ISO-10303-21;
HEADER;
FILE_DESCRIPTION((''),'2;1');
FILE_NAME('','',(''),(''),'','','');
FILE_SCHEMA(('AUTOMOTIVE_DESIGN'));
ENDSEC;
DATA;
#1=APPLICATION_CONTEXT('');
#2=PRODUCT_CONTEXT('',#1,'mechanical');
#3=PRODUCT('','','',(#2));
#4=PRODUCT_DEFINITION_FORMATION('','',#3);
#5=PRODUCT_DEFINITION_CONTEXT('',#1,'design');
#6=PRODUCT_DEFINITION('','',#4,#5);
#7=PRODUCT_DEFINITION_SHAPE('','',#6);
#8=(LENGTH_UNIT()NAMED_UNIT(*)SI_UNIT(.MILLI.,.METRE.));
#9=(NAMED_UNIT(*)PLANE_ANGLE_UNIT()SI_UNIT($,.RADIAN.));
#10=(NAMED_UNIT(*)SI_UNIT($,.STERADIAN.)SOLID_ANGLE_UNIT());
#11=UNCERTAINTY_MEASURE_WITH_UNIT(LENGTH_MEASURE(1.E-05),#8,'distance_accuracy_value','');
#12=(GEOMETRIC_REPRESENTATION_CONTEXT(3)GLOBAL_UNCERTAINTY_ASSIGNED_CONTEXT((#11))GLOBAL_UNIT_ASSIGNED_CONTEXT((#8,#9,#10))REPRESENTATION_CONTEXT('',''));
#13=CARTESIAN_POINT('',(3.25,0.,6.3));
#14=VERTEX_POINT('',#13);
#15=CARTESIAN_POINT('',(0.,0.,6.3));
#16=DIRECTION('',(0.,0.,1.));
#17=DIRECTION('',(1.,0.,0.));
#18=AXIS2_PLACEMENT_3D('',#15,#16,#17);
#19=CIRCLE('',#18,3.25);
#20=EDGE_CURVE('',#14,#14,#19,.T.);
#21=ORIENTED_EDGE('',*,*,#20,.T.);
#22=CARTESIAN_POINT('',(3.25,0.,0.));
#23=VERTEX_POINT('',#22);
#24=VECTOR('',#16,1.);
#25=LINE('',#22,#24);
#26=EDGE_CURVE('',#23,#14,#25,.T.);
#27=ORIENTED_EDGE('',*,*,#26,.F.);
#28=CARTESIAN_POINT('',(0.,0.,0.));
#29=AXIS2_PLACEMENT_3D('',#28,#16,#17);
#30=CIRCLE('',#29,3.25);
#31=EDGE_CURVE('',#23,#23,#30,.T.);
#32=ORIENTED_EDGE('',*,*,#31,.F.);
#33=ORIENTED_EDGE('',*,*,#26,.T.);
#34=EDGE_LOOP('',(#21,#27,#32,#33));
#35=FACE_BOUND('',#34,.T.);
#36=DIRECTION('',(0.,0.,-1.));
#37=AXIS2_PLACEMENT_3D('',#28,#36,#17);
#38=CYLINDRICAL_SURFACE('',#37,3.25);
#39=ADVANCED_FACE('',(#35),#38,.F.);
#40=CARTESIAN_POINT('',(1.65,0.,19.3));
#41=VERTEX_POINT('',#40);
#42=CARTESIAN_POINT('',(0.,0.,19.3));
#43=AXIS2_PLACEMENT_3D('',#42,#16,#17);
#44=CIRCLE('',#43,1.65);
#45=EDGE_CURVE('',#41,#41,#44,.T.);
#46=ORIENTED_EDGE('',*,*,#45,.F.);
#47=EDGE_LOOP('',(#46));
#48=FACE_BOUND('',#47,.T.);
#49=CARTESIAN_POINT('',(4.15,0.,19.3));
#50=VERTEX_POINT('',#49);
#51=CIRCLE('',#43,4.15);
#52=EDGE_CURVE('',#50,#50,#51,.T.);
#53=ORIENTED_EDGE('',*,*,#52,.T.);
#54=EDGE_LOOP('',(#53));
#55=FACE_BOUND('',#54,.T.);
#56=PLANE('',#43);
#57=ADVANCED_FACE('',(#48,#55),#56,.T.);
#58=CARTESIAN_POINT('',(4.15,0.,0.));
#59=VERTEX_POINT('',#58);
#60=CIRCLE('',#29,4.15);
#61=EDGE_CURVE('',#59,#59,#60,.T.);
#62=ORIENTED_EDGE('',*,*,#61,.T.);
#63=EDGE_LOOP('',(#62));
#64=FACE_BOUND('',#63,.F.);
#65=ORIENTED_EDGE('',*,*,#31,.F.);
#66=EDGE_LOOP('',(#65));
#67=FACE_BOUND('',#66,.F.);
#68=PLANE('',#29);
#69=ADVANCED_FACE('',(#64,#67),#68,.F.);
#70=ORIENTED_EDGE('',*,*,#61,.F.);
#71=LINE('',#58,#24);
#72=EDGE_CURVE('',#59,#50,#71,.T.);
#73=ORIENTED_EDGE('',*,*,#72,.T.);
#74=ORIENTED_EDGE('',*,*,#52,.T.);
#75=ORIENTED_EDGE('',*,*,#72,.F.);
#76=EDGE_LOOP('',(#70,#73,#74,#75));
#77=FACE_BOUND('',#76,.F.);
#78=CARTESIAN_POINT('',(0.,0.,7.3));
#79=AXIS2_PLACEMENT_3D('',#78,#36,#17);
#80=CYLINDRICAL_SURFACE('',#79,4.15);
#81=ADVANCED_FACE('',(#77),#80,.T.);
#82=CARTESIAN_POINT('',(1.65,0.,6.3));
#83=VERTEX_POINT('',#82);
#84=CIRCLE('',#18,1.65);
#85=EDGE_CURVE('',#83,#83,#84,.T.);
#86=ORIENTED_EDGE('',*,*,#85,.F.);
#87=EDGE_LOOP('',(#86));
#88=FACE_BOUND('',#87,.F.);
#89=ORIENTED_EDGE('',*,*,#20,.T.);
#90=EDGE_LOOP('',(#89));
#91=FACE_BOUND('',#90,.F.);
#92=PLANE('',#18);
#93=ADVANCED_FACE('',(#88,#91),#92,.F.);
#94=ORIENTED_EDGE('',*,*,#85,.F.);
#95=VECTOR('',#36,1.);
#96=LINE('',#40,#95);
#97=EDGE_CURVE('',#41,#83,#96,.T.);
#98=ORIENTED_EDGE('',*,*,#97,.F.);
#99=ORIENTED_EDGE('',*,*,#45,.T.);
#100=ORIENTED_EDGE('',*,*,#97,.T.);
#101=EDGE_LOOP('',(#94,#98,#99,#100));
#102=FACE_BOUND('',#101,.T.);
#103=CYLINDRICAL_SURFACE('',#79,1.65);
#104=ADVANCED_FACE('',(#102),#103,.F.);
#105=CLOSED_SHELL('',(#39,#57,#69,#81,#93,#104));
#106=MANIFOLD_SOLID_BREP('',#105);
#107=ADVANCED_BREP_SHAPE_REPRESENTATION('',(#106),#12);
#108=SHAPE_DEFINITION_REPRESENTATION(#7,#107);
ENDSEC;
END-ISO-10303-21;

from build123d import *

# Parameters (mm, degrees)
F0_R     = 4.15
F0_R_2   = 3.25
F1_DEPTH = 6.3
F2_R     = 4.15
F3_DEPTH = 1
F4_R     = 1.65
F5_DEPTH = 1
F6_R     = 4.15
F6_R_2   = 1.65
F7_DEPTH = 12


with BuildPart() as f1:
    # F0 (on Top) → F1 (new body)
    with BuildSketch(Plane.XY):
        Circle(F0_R)
        Circle(F0_R_2, mode=Mode.SUBTRACT)
    extrude(amount=F1_DEPTH)

    # F2 (on face) → F3 (join)
    with BuildSketch(Plane.XY.offset(6.3)):
        Circle(F2_R)
    extrude(amount=F3_DEPTH)

    # F4 (on face) → F5 (cut, through all)
    with BuildSketch(Plane.XY.offset(7.3)):
        Circle(F4_R)
    extrude(amount=-F5_DEPTH, mode=Mode.SUBTRACT)

    # F6 (on face) → F7 (join)
    with BuildSketch(Plane.XY.offset(7.3)):
        Circle(F6_R)
        Circle(F6_R_2, mode=Mode.SUBTRACT)
    extrude(amount=F7_DEPTH)


solid = f1.part
